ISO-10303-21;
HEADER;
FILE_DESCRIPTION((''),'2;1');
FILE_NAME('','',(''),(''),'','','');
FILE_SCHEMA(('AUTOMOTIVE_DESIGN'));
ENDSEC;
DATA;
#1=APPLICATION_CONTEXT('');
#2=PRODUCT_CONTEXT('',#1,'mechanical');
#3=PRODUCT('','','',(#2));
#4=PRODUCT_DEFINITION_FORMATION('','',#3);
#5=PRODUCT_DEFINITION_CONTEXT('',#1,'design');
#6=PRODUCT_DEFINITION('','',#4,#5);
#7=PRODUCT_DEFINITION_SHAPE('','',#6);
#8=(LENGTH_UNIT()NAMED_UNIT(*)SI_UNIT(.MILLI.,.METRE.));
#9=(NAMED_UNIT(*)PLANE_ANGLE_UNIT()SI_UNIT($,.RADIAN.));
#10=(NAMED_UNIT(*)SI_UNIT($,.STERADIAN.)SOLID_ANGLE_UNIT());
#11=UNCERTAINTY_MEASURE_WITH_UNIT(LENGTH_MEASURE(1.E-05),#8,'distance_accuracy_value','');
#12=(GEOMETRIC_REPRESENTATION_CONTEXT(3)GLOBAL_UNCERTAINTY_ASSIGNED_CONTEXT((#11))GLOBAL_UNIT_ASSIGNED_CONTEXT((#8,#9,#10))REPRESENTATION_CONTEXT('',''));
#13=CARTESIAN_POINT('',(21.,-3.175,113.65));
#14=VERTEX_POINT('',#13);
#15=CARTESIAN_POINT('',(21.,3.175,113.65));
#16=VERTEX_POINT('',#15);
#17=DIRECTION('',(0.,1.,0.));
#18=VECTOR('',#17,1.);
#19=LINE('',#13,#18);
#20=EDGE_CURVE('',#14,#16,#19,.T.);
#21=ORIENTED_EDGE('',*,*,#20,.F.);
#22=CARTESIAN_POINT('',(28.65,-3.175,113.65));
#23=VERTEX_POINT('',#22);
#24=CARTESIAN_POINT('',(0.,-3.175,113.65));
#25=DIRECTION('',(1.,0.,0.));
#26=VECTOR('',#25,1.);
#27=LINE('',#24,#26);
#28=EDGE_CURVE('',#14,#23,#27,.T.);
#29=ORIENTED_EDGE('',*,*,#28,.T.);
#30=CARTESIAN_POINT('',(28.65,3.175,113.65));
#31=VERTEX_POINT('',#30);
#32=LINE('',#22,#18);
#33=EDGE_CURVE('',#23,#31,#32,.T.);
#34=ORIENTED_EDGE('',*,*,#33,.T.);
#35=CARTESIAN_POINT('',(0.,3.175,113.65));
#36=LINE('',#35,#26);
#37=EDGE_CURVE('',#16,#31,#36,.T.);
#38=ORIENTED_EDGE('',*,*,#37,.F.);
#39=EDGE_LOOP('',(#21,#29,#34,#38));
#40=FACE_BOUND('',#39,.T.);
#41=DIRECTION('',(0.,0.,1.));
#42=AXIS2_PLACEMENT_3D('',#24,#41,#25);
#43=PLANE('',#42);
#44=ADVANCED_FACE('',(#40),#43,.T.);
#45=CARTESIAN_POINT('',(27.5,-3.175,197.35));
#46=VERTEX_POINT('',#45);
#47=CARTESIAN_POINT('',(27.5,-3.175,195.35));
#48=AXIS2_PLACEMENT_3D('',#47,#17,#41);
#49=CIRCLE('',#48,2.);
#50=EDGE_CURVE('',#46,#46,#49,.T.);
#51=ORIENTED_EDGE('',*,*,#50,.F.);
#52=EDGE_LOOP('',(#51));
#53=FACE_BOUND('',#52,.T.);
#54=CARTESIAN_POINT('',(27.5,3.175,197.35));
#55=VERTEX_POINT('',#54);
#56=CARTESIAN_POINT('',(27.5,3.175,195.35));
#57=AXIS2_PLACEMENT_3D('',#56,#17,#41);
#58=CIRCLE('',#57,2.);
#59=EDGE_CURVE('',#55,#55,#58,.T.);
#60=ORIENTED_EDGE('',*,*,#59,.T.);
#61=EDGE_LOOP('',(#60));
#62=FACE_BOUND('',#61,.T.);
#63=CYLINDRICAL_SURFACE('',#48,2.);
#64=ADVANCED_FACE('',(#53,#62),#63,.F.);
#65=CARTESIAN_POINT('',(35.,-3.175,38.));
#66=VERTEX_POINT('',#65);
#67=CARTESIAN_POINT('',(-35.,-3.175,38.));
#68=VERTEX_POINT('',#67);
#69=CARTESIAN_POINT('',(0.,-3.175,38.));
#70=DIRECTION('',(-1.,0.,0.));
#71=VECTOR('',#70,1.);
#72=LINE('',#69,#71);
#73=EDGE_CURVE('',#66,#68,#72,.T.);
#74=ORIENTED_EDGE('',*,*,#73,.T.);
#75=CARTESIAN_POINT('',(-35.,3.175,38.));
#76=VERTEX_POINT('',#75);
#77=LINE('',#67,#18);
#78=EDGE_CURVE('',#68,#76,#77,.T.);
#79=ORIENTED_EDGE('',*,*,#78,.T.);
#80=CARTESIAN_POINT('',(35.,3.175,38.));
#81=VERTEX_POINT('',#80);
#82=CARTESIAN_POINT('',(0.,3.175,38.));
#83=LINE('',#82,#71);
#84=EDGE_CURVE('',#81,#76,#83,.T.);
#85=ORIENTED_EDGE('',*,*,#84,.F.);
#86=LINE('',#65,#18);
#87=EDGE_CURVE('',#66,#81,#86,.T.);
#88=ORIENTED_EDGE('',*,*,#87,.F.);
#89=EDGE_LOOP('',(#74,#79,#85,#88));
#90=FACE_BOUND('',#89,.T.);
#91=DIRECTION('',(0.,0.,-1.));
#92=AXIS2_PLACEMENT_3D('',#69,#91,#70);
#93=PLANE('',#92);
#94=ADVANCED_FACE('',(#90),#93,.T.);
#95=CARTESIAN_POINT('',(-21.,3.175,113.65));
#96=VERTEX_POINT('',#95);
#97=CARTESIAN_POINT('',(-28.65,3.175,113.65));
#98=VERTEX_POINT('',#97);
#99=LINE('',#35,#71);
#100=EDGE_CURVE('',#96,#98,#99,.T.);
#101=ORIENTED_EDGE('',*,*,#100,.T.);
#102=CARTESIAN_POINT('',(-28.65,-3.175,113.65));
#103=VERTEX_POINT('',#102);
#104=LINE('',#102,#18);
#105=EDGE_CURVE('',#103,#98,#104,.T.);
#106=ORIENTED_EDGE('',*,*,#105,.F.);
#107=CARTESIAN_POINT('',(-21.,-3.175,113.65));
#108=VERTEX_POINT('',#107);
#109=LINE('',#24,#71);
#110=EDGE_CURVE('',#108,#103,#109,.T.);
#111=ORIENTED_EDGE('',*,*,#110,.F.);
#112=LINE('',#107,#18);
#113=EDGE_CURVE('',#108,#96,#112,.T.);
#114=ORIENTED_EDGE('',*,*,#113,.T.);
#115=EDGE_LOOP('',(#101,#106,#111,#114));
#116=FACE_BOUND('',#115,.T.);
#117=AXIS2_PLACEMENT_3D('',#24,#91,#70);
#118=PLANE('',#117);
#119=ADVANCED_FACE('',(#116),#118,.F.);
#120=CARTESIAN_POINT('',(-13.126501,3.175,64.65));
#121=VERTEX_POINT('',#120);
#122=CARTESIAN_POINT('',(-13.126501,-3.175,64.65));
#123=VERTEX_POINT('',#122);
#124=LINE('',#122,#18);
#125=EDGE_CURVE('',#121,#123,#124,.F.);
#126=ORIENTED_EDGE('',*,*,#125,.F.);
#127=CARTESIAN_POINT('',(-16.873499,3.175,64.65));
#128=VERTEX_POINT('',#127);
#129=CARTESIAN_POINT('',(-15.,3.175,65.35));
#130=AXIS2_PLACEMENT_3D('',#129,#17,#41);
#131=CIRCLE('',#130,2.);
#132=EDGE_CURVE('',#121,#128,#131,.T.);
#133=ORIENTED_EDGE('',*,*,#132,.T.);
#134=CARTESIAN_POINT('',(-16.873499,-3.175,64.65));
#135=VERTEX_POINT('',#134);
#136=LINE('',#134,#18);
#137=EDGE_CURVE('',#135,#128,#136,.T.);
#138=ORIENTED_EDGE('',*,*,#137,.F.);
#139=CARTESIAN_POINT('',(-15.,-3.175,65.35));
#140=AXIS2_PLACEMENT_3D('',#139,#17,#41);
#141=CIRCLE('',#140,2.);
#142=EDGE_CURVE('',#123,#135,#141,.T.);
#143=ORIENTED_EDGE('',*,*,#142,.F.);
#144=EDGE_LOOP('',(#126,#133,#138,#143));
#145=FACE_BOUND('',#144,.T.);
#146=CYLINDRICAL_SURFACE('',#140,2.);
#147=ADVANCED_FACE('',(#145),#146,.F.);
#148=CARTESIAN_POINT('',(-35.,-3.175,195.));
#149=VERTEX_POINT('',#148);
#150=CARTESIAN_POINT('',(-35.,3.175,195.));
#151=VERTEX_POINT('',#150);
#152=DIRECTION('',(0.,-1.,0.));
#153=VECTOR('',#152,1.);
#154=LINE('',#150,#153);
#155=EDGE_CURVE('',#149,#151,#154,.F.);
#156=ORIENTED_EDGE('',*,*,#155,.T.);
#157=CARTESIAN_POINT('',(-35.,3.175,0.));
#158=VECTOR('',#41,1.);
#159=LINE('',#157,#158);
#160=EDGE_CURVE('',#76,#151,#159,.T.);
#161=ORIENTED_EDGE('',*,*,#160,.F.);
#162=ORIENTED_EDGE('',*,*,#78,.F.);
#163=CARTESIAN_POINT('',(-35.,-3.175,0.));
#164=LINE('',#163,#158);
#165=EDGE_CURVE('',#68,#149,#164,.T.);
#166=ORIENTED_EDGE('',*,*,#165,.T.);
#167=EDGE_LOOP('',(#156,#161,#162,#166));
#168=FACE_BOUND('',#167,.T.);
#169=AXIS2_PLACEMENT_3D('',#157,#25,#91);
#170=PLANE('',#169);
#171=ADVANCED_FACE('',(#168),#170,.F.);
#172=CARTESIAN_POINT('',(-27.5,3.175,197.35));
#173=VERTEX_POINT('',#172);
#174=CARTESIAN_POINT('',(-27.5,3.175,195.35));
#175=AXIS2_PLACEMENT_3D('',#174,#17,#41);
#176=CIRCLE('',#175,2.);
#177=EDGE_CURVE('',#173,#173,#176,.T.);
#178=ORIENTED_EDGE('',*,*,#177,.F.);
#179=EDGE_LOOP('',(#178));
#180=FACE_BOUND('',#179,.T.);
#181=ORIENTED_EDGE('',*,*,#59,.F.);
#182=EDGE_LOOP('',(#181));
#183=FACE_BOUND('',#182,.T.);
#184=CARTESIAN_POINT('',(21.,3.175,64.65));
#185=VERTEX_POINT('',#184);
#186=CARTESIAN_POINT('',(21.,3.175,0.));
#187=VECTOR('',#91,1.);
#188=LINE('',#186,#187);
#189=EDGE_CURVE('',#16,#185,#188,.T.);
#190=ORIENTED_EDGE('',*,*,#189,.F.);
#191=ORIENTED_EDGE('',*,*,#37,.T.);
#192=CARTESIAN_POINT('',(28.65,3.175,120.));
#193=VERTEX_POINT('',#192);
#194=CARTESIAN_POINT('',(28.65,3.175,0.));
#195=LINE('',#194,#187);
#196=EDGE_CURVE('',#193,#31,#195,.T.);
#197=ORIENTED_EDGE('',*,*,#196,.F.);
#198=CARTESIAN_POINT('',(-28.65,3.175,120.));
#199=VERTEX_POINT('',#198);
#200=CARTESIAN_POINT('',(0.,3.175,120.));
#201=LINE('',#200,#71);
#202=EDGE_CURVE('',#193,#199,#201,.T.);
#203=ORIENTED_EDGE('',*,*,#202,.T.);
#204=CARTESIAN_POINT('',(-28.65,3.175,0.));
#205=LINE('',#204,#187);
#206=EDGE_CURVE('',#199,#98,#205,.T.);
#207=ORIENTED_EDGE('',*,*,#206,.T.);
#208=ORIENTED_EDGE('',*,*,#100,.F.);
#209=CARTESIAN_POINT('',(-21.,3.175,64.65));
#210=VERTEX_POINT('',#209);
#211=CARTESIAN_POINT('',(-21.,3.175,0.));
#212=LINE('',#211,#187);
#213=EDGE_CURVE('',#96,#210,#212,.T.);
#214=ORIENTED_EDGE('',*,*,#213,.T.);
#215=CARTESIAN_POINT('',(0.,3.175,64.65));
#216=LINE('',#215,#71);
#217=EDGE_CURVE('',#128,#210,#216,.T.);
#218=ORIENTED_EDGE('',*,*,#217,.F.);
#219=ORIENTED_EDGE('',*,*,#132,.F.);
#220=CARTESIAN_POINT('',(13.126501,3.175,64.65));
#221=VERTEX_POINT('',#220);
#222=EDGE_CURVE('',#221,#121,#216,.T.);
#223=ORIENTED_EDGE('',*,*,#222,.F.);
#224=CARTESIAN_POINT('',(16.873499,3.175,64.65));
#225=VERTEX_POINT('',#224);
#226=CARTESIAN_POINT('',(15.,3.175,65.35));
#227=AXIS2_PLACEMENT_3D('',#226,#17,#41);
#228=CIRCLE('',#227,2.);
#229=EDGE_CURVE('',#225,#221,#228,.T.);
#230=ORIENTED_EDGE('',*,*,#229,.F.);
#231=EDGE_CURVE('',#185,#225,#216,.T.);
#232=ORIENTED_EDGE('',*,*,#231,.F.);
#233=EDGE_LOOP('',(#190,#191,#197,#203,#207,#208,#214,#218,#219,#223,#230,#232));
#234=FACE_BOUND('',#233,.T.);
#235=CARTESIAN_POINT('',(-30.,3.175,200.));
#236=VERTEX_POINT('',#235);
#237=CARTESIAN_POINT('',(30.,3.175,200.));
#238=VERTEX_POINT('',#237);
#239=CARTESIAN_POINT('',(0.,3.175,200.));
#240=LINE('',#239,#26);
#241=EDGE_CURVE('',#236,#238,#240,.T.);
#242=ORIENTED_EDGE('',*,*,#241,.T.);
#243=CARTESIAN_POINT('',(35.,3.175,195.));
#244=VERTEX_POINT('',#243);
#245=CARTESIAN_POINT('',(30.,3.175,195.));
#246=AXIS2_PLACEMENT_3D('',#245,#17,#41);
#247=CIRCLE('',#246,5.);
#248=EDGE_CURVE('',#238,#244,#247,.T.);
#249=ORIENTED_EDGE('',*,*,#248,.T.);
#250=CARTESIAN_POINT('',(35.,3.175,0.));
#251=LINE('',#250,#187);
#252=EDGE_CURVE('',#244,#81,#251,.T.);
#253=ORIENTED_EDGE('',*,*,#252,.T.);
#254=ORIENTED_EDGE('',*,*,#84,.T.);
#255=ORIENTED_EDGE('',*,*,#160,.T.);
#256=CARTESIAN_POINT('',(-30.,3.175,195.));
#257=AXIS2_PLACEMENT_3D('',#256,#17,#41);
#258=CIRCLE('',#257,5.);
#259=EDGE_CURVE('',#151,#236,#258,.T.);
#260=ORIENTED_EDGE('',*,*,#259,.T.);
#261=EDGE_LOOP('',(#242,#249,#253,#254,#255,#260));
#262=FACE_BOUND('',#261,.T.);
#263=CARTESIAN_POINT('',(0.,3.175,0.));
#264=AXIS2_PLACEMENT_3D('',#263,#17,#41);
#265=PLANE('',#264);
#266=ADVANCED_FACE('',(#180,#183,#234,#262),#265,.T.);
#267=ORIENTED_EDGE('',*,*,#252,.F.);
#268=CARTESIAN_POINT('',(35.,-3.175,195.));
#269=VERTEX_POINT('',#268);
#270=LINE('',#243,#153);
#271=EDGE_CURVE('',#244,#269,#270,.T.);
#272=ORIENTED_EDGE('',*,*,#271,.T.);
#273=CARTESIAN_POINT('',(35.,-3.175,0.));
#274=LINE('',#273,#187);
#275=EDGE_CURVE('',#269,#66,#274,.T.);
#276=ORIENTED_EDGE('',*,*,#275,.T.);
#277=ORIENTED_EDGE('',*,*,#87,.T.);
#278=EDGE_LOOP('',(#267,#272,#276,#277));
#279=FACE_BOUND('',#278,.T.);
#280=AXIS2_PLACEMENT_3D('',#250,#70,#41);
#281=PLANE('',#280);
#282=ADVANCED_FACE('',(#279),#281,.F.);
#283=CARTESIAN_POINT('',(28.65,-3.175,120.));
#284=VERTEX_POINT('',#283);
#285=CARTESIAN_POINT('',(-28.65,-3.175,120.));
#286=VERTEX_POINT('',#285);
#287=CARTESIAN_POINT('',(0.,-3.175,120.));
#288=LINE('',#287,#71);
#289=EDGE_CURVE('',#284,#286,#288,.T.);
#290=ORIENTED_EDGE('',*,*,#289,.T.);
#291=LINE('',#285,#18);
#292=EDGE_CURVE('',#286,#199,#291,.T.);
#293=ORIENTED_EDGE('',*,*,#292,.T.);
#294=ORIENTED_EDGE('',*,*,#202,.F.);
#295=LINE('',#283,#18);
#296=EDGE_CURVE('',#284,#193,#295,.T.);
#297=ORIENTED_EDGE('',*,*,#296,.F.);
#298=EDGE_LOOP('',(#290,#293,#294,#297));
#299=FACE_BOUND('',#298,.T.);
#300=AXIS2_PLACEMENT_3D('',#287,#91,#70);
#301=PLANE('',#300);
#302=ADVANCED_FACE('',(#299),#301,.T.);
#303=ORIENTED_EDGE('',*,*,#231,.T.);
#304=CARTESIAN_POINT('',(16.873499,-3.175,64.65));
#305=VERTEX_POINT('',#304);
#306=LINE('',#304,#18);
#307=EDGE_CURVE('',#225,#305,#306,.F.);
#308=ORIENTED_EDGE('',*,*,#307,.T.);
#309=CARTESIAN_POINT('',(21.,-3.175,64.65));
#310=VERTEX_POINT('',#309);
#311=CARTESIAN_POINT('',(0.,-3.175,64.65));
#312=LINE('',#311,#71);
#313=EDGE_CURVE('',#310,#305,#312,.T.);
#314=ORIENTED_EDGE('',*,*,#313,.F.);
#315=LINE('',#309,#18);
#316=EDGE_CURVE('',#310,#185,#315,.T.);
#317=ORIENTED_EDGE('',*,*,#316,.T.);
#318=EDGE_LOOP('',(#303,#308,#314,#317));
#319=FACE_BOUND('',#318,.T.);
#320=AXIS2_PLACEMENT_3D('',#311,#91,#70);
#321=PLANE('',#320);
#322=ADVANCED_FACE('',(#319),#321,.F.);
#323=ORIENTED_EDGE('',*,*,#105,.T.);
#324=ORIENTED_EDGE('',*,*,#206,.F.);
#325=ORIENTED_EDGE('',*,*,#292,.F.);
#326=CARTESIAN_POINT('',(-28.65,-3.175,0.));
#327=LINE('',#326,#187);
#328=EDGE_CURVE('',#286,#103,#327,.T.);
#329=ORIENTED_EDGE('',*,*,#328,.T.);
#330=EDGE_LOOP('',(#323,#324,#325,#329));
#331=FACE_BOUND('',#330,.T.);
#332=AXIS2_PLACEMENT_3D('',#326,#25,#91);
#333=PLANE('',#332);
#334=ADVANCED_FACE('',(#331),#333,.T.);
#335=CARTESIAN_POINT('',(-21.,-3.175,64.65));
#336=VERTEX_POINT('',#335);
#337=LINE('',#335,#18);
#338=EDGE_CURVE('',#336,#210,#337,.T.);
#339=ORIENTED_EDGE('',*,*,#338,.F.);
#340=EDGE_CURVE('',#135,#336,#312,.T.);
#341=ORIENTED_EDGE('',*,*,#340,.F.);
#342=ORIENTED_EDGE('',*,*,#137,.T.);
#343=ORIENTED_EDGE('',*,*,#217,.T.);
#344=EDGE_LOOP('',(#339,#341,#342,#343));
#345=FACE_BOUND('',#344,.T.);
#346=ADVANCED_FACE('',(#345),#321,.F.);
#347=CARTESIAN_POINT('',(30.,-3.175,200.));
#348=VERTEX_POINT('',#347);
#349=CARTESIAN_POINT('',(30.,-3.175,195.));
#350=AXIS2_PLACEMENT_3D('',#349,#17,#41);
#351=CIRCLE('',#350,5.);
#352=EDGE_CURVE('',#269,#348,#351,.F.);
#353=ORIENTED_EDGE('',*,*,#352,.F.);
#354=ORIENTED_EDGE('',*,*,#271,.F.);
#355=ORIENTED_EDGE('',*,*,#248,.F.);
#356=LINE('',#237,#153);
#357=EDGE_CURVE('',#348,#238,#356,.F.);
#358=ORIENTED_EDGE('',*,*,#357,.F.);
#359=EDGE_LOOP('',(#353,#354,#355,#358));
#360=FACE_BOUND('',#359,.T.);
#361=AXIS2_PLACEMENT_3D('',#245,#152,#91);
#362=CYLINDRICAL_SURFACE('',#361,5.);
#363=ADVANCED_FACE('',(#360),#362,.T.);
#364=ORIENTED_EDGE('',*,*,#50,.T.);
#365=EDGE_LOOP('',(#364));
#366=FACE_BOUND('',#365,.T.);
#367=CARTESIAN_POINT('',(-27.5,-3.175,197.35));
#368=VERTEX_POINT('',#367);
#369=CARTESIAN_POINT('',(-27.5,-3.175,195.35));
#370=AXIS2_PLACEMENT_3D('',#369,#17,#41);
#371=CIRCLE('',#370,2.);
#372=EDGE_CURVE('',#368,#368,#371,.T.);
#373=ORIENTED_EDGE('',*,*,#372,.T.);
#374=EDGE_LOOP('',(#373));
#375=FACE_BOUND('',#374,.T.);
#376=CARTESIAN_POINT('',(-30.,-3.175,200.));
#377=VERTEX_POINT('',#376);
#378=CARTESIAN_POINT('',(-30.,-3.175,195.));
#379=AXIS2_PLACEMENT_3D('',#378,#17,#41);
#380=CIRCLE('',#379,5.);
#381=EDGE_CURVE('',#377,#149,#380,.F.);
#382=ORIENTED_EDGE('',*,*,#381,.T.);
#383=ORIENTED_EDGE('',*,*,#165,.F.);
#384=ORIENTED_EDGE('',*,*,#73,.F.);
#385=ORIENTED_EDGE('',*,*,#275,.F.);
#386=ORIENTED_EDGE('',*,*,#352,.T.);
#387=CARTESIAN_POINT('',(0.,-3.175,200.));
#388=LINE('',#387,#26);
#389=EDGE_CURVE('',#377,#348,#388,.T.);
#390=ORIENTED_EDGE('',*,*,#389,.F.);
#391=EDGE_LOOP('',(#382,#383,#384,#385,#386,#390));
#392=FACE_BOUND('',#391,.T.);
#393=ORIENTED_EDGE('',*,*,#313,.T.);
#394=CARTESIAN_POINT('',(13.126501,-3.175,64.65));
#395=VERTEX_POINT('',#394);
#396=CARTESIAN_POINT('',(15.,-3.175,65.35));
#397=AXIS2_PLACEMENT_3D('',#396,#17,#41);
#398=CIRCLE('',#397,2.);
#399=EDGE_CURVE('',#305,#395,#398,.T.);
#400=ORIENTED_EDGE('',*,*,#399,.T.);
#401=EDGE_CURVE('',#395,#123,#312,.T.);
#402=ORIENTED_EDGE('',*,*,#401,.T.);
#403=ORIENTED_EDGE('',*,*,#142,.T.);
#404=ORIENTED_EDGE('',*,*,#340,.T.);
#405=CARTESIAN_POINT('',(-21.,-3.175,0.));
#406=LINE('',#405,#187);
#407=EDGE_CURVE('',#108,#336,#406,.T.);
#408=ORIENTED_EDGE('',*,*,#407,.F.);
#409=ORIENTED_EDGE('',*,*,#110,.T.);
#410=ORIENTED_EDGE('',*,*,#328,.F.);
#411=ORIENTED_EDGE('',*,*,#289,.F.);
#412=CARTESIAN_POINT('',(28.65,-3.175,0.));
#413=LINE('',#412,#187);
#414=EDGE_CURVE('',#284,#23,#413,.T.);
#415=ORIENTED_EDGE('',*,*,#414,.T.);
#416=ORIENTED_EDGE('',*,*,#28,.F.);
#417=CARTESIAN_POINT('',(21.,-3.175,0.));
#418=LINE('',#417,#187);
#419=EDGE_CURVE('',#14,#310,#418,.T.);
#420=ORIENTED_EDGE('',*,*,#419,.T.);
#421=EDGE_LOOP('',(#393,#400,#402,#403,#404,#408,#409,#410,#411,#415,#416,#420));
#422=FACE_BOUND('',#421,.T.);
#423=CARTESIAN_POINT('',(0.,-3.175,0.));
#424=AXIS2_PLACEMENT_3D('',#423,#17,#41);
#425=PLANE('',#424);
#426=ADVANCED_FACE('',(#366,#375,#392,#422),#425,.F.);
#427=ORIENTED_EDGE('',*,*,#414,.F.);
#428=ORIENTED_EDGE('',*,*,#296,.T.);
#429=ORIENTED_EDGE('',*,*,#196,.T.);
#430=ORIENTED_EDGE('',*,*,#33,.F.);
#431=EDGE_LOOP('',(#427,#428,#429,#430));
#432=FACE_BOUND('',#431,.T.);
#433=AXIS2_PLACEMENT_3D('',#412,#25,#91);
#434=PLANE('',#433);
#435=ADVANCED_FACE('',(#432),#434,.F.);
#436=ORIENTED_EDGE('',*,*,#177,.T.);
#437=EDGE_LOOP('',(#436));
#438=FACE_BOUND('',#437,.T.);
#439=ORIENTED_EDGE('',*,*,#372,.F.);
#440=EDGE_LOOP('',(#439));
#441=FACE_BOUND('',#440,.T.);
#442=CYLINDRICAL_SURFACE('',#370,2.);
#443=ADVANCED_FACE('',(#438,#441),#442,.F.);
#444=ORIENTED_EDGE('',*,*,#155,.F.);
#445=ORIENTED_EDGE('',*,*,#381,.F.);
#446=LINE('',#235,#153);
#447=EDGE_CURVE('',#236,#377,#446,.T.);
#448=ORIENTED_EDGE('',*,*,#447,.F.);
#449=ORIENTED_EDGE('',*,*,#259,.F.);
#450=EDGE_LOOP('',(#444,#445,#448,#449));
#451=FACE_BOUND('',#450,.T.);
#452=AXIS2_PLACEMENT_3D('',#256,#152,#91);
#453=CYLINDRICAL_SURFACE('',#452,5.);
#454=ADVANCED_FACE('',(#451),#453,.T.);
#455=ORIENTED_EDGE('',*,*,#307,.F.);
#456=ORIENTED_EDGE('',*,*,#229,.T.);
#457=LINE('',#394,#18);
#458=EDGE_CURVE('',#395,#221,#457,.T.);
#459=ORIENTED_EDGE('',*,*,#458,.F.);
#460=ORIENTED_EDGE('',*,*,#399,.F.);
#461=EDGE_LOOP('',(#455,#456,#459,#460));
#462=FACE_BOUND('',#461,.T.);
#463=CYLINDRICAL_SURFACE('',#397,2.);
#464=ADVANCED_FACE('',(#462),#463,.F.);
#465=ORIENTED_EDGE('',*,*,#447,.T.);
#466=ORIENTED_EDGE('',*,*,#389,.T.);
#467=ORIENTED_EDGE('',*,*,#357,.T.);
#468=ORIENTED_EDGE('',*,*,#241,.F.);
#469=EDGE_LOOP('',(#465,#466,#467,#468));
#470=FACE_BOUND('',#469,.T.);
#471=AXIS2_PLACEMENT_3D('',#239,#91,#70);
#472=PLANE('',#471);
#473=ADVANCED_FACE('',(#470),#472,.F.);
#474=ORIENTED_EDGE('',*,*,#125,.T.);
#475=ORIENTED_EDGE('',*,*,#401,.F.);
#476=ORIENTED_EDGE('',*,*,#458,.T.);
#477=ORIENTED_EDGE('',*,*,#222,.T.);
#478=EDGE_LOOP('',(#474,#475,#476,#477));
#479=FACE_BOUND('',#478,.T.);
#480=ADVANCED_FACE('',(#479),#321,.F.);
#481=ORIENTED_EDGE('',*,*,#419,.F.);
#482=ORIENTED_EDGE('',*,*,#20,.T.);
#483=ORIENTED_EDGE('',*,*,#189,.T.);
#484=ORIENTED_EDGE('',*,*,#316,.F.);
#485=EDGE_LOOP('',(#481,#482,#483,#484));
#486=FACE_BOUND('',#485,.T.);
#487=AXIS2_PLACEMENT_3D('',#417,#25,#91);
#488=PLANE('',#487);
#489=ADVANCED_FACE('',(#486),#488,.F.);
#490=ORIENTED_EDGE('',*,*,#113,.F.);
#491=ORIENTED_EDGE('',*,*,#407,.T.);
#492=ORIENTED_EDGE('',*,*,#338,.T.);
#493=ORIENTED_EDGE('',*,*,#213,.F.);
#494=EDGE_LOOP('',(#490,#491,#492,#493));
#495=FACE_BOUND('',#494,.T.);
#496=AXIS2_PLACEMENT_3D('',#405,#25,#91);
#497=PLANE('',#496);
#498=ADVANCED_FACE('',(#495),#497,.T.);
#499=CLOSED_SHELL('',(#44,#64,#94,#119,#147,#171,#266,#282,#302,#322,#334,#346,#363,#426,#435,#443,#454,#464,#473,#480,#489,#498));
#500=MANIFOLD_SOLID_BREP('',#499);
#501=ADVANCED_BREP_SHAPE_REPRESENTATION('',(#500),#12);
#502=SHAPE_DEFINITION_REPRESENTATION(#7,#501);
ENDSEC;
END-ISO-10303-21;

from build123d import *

# Parameters (mm, degrees)
BOSS_EXTRUDE1_DEPTH = 3.175
CUT_EXTRUDE1_DEPTH  = 204.138678001
SKETCH3_W           = 42
SKETCH3_H           = 55.35
SKETCH3_W_2         = 7.65
SKETCH3_H_2         = 6.35
CUT_EXTRUDE2_DEPTH  = 204.138678001
FILLET3_R           = 5
SKETCH5_R           = 2
CUT_EXTRUDE4_DEPTH  = 204.138678001


with BuildPart() as part:
    # Sketch1 → Boss-Extrude1 (new, symmetric)
    with BuildSketch(Plane(origin=(0, 0, 0), x_dir=(1, 0, 0), z_dir=(0, 1, 0))):
        with BuildLine():
            Line((35, -200), (35, 0))
            ThreePointArc((35, 0), (0, 35), (-35, 0))
            Line((-35, 0), (-35, -200))
            Line((-35, -200), (35, -200))
        make_face()
    extrude(amount=BOSS_EXTRUDE1_DEPTH, both=True)

    # Sketch2 → Cut-Extrude1 (cut, through all)
    with BuildSketch(Plane(origin=(0, 3.175, 0), x_dir=(1, 0, 0), z_dir=(0, 1, 0))):
        with BuildLine():
            Line((-35, -38), (35, -38))
            Line((35, -38), (35, 0))
            ThreePointArc((35, 0), (0, 35), (-35, 0))
            Line((-35, 0), (-35, -38))
        make_face()
    extrude(amount=-CUT_EXTRUDE1_DEPTH, mode=Mode.SUBTRACT)

    # Sketch3 → Cut-Extrude2 (cut, through all)
    with BuildSketch(Plane(origin=(0, 3.175, 0), x_dir=(1, 0, 0), z_dir=(0, 1, 0))):
        with Locations((0, -92.325)):
            Rectangle(SKETCH3_W, SKETCH3_H)
        with Locations((-24.825, -116.825)):
            Rectangle(SKETCH3_W_2, SKETCH3_H_2)
        with Locations((24.825, -116.825)):
            Rectangle(SKETCH3_W_2, SKETCH3_H_2)
    extrude(amount=-CUT_EXTRUDE2_DEPTH, mode=Mode.SUBTRACT)

    # Fillet3
    fillet3_edges = [part.edges().sort_by_distance(p)[0] for p in [
        (35, 0, 200),
        (-35, 0, 200),
    ]]
    fillet(fillet3_edges, radius=FILLET3_R)

    # Sketch5 → Cut-Extrude4 (cut, through all)
    with BuildSketch(Plane(origin=(0, 3.175, 0), x_dir=(1, 0, 0), z_dir=(0, 1, 0))):
        with Locations(Location((27.5, -195.35, 0), (0, 0, 270))):
            Circle(SKETCH5_R)
        with Locations(Location((-27.5, -195.35, 0), (0, 0, 270))):
            Circle(SKETCH5_R)
        with Locations((15, -65.35)):
            Circle(SKETCH5_R)
        with Locations((-15, -65.35)):
            Circle(SKETCH5_R)
    extrude(amount=-CUT_EXTRUDE4_DEPTH, mode=Mode.SUBTRACT)


solid = part.part
